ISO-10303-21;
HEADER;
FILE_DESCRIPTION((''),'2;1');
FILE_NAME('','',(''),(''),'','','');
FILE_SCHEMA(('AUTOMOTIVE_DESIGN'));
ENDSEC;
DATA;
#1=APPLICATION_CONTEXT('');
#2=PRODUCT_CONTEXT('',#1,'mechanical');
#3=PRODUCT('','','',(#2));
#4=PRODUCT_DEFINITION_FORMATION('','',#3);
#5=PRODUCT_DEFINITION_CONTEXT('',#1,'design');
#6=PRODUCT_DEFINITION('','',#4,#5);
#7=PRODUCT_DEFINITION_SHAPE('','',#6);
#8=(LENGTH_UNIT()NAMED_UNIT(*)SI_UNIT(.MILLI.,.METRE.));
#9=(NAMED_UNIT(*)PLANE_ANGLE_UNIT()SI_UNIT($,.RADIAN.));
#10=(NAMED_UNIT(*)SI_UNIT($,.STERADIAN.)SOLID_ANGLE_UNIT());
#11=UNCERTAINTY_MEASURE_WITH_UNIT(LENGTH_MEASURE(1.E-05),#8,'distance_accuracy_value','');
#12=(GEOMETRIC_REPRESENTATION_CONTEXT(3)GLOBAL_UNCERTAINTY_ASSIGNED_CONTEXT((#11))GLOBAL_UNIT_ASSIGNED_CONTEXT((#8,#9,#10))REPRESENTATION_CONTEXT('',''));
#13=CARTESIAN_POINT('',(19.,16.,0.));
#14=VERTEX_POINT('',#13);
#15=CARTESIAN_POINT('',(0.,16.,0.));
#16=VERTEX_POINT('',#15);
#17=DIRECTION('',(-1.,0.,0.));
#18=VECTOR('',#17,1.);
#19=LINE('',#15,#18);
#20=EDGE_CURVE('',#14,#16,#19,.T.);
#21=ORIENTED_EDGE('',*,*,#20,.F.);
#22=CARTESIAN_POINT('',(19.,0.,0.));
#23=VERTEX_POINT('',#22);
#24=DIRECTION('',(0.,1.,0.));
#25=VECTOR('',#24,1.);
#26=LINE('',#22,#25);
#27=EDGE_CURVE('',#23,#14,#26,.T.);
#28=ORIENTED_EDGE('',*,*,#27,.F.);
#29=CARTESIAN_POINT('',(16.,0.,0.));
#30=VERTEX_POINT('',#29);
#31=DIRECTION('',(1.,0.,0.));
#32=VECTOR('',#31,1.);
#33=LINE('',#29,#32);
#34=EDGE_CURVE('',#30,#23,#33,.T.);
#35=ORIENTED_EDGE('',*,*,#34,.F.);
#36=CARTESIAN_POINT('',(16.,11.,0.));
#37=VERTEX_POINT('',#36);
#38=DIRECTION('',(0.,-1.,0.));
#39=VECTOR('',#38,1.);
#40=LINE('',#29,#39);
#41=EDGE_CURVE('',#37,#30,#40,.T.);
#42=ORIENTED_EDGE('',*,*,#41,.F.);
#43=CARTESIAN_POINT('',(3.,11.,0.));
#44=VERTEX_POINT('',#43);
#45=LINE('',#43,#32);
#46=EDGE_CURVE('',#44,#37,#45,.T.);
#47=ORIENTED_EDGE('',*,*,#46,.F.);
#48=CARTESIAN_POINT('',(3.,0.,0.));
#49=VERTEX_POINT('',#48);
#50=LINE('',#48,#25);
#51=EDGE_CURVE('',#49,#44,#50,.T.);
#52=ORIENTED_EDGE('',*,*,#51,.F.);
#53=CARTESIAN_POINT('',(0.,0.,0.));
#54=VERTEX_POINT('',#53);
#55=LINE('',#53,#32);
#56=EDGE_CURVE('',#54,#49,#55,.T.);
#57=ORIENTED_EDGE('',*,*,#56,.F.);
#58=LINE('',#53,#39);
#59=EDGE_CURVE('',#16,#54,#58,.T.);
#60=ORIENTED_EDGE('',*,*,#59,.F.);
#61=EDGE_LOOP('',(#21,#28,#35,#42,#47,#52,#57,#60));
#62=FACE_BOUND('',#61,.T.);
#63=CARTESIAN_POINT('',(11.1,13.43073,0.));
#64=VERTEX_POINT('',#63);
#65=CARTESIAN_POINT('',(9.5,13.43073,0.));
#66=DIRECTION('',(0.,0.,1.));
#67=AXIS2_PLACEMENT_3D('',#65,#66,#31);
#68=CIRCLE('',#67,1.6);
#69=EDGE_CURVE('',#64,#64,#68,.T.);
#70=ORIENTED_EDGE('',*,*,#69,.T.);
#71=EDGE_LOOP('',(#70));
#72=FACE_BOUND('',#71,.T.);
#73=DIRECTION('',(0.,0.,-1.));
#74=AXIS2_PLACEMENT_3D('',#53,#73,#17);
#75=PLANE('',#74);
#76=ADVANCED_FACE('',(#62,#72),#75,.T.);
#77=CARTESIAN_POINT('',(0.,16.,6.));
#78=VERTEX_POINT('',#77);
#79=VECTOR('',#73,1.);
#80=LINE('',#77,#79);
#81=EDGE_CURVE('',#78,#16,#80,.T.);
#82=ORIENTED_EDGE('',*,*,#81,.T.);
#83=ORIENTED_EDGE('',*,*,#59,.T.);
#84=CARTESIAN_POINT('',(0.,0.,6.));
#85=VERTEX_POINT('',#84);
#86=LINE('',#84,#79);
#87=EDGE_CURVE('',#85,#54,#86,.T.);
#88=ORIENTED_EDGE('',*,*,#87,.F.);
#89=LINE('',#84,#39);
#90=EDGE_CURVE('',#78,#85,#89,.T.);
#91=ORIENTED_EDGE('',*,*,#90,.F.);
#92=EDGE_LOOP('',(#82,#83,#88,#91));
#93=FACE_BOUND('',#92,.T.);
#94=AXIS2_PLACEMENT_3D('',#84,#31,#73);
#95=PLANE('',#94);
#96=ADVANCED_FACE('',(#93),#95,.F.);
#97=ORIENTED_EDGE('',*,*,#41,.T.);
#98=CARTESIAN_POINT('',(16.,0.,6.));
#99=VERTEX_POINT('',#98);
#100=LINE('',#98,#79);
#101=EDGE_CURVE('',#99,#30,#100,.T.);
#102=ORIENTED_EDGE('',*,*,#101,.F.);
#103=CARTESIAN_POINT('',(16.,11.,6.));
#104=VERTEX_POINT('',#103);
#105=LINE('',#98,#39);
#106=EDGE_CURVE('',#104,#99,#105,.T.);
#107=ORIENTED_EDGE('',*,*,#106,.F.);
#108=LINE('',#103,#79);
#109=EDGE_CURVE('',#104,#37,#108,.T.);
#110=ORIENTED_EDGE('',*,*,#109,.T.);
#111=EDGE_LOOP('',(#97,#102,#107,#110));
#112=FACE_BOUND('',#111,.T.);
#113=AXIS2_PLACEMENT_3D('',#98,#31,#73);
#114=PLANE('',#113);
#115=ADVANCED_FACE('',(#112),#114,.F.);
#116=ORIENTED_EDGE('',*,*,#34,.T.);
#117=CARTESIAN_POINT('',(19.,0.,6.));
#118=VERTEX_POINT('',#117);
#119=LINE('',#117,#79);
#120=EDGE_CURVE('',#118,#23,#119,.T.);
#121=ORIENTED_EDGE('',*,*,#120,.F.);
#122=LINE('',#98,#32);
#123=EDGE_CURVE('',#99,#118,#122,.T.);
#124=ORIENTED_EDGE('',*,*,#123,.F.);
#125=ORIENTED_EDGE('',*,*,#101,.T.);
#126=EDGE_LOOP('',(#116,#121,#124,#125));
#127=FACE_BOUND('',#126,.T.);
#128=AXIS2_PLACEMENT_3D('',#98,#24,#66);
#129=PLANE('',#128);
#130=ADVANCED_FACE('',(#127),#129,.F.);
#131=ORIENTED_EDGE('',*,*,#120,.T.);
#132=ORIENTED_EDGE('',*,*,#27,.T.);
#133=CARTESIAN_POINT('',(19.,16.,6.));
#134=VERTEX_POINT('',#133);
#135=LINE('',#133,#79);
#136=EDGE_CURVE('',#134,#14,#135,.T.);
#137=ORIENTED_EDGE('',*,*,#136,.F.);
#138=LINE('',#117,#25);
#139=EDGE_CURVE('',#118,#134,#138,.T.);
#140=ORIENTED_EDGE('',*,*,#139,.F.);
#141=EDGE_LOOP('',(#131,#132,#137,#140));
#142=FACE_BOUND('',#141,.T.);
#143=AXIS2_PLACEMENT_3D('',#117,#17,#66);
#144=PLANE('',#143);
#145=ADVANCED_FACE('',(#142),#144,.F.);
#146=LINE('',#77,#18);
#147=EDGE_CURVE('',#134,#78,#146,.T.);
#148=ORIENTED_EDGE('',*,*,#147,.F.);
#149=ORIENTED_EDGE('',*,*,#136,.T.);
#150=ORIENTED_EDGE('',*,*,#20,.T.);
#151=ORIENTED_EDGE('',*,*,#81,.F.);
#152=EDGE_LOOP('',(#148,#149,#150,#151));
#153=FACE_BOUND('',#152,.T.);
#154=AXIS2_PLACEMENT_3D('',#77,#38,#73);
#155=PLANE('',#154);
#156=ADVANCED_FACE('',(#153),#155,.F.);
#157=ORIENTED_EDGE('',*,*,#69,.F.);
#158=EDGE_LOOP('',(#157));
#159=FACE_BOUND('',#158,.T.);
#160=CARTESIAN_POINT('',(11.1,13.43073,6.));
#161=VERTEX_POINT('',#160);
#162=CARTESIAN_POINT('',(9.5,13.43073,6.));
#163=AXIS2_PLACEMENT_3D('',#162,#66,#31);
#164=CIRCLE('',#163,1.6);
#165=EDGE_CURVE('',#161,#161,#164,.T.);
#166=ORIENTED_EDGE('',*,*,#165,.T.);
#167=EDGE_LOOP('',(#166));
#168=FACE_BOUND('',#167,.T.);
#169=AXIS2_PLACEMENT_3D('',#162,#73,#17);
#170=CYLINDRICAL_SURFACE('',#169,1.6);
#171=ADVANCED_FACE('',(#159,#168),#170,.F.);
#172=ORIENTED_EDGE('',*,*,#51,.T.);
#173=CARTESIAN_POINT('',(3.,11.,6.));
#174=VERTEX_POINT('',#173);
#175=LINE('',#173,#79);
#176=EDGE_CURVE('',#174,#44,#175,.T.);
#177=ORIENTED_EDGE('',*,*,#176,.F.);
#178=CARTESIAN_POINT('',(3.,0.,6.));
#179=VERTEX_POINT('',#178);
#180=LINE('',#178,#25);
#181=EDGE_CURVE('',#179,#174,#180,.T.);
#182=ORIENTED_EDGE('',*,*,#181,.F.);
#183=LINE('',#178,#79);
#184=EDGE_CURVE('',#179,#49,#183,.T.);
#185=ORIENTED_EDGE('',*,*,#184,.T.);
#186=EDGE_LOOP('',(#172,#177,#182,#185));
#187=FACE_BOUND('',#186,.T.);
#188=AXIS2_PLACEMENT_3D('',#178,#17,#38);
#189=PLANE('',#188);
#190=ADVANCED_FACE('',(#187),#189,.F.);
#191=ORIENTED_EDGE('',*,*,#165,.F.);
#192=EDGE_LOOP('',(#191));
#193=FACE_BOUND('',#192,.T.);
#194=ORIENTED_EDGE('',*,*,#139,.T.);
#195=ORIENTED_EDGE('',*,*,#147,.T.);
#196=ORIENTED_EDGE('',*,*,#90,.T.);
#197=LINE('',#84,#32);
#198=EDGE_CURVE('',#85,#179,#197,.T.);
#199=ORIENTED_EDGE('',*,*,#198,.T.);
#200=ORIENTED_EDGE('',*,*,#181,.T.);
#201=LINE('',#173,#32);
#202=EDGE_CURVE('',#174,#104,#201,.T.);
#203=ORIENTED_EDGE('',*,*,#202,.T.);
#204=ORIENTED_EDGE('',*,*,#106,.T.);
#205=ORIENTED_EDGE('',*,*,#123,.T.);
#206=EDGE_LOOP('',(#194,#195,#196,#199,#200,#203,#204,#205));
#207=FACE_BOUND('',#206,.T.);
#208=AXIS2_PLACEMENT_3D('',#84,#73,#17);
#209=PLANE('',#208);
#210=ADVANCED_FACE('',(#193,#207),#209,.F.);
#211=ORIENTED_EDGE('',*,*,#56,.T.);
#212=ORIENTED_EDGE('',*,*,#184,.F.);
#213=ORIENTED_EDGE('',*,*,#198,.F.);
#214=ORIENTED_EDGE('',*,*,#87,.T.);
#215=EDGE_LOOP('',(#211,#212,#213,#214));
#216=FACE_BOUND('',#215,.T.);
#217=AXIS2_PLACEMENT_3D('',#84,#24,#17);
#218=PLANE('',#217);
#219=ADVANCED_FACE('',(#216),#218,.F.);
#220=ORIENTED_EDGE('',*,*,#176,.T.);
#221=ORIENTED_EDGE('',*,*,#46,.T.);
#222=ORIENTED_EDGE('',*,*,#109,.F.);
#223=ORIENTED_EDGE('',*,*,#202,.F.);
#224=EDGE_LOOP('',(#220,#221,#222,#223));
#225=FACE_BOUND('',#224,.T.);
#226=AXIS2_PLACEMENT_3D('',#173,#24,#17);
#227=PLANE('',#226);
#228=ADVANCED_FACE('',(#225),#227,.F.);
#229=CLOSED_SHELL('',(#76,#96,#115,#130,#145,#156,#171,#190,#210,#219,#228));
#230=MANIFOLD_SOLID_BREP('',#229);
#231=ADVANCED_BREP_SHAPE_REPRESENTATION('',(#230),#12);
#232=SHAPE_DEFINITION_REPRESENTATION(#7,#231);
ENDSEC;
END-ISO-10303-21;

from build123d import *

# Parameters (mm, degrees)
SKETCH_1_R      = 1.6
EXTRUDE_1_DEPTH = 6


with BuildPart() as part:
    # 草图1 → 凸台-拉伸1 (new body)
    with BuildSketch(Plane.XY):
        Polygon((0, 0), (3, 0), (3, 11), (16, 11), (16, 0), (19, 0), (19, 16), (0, 16), align=None)
        with Locations((9.5, 13.430729966)):
            Circle(SKETCH_1_R, mode=Mode.SUBTRACT)
    extrude(amount=EXTRUDE_1_DEPTH)


solid = part.part
